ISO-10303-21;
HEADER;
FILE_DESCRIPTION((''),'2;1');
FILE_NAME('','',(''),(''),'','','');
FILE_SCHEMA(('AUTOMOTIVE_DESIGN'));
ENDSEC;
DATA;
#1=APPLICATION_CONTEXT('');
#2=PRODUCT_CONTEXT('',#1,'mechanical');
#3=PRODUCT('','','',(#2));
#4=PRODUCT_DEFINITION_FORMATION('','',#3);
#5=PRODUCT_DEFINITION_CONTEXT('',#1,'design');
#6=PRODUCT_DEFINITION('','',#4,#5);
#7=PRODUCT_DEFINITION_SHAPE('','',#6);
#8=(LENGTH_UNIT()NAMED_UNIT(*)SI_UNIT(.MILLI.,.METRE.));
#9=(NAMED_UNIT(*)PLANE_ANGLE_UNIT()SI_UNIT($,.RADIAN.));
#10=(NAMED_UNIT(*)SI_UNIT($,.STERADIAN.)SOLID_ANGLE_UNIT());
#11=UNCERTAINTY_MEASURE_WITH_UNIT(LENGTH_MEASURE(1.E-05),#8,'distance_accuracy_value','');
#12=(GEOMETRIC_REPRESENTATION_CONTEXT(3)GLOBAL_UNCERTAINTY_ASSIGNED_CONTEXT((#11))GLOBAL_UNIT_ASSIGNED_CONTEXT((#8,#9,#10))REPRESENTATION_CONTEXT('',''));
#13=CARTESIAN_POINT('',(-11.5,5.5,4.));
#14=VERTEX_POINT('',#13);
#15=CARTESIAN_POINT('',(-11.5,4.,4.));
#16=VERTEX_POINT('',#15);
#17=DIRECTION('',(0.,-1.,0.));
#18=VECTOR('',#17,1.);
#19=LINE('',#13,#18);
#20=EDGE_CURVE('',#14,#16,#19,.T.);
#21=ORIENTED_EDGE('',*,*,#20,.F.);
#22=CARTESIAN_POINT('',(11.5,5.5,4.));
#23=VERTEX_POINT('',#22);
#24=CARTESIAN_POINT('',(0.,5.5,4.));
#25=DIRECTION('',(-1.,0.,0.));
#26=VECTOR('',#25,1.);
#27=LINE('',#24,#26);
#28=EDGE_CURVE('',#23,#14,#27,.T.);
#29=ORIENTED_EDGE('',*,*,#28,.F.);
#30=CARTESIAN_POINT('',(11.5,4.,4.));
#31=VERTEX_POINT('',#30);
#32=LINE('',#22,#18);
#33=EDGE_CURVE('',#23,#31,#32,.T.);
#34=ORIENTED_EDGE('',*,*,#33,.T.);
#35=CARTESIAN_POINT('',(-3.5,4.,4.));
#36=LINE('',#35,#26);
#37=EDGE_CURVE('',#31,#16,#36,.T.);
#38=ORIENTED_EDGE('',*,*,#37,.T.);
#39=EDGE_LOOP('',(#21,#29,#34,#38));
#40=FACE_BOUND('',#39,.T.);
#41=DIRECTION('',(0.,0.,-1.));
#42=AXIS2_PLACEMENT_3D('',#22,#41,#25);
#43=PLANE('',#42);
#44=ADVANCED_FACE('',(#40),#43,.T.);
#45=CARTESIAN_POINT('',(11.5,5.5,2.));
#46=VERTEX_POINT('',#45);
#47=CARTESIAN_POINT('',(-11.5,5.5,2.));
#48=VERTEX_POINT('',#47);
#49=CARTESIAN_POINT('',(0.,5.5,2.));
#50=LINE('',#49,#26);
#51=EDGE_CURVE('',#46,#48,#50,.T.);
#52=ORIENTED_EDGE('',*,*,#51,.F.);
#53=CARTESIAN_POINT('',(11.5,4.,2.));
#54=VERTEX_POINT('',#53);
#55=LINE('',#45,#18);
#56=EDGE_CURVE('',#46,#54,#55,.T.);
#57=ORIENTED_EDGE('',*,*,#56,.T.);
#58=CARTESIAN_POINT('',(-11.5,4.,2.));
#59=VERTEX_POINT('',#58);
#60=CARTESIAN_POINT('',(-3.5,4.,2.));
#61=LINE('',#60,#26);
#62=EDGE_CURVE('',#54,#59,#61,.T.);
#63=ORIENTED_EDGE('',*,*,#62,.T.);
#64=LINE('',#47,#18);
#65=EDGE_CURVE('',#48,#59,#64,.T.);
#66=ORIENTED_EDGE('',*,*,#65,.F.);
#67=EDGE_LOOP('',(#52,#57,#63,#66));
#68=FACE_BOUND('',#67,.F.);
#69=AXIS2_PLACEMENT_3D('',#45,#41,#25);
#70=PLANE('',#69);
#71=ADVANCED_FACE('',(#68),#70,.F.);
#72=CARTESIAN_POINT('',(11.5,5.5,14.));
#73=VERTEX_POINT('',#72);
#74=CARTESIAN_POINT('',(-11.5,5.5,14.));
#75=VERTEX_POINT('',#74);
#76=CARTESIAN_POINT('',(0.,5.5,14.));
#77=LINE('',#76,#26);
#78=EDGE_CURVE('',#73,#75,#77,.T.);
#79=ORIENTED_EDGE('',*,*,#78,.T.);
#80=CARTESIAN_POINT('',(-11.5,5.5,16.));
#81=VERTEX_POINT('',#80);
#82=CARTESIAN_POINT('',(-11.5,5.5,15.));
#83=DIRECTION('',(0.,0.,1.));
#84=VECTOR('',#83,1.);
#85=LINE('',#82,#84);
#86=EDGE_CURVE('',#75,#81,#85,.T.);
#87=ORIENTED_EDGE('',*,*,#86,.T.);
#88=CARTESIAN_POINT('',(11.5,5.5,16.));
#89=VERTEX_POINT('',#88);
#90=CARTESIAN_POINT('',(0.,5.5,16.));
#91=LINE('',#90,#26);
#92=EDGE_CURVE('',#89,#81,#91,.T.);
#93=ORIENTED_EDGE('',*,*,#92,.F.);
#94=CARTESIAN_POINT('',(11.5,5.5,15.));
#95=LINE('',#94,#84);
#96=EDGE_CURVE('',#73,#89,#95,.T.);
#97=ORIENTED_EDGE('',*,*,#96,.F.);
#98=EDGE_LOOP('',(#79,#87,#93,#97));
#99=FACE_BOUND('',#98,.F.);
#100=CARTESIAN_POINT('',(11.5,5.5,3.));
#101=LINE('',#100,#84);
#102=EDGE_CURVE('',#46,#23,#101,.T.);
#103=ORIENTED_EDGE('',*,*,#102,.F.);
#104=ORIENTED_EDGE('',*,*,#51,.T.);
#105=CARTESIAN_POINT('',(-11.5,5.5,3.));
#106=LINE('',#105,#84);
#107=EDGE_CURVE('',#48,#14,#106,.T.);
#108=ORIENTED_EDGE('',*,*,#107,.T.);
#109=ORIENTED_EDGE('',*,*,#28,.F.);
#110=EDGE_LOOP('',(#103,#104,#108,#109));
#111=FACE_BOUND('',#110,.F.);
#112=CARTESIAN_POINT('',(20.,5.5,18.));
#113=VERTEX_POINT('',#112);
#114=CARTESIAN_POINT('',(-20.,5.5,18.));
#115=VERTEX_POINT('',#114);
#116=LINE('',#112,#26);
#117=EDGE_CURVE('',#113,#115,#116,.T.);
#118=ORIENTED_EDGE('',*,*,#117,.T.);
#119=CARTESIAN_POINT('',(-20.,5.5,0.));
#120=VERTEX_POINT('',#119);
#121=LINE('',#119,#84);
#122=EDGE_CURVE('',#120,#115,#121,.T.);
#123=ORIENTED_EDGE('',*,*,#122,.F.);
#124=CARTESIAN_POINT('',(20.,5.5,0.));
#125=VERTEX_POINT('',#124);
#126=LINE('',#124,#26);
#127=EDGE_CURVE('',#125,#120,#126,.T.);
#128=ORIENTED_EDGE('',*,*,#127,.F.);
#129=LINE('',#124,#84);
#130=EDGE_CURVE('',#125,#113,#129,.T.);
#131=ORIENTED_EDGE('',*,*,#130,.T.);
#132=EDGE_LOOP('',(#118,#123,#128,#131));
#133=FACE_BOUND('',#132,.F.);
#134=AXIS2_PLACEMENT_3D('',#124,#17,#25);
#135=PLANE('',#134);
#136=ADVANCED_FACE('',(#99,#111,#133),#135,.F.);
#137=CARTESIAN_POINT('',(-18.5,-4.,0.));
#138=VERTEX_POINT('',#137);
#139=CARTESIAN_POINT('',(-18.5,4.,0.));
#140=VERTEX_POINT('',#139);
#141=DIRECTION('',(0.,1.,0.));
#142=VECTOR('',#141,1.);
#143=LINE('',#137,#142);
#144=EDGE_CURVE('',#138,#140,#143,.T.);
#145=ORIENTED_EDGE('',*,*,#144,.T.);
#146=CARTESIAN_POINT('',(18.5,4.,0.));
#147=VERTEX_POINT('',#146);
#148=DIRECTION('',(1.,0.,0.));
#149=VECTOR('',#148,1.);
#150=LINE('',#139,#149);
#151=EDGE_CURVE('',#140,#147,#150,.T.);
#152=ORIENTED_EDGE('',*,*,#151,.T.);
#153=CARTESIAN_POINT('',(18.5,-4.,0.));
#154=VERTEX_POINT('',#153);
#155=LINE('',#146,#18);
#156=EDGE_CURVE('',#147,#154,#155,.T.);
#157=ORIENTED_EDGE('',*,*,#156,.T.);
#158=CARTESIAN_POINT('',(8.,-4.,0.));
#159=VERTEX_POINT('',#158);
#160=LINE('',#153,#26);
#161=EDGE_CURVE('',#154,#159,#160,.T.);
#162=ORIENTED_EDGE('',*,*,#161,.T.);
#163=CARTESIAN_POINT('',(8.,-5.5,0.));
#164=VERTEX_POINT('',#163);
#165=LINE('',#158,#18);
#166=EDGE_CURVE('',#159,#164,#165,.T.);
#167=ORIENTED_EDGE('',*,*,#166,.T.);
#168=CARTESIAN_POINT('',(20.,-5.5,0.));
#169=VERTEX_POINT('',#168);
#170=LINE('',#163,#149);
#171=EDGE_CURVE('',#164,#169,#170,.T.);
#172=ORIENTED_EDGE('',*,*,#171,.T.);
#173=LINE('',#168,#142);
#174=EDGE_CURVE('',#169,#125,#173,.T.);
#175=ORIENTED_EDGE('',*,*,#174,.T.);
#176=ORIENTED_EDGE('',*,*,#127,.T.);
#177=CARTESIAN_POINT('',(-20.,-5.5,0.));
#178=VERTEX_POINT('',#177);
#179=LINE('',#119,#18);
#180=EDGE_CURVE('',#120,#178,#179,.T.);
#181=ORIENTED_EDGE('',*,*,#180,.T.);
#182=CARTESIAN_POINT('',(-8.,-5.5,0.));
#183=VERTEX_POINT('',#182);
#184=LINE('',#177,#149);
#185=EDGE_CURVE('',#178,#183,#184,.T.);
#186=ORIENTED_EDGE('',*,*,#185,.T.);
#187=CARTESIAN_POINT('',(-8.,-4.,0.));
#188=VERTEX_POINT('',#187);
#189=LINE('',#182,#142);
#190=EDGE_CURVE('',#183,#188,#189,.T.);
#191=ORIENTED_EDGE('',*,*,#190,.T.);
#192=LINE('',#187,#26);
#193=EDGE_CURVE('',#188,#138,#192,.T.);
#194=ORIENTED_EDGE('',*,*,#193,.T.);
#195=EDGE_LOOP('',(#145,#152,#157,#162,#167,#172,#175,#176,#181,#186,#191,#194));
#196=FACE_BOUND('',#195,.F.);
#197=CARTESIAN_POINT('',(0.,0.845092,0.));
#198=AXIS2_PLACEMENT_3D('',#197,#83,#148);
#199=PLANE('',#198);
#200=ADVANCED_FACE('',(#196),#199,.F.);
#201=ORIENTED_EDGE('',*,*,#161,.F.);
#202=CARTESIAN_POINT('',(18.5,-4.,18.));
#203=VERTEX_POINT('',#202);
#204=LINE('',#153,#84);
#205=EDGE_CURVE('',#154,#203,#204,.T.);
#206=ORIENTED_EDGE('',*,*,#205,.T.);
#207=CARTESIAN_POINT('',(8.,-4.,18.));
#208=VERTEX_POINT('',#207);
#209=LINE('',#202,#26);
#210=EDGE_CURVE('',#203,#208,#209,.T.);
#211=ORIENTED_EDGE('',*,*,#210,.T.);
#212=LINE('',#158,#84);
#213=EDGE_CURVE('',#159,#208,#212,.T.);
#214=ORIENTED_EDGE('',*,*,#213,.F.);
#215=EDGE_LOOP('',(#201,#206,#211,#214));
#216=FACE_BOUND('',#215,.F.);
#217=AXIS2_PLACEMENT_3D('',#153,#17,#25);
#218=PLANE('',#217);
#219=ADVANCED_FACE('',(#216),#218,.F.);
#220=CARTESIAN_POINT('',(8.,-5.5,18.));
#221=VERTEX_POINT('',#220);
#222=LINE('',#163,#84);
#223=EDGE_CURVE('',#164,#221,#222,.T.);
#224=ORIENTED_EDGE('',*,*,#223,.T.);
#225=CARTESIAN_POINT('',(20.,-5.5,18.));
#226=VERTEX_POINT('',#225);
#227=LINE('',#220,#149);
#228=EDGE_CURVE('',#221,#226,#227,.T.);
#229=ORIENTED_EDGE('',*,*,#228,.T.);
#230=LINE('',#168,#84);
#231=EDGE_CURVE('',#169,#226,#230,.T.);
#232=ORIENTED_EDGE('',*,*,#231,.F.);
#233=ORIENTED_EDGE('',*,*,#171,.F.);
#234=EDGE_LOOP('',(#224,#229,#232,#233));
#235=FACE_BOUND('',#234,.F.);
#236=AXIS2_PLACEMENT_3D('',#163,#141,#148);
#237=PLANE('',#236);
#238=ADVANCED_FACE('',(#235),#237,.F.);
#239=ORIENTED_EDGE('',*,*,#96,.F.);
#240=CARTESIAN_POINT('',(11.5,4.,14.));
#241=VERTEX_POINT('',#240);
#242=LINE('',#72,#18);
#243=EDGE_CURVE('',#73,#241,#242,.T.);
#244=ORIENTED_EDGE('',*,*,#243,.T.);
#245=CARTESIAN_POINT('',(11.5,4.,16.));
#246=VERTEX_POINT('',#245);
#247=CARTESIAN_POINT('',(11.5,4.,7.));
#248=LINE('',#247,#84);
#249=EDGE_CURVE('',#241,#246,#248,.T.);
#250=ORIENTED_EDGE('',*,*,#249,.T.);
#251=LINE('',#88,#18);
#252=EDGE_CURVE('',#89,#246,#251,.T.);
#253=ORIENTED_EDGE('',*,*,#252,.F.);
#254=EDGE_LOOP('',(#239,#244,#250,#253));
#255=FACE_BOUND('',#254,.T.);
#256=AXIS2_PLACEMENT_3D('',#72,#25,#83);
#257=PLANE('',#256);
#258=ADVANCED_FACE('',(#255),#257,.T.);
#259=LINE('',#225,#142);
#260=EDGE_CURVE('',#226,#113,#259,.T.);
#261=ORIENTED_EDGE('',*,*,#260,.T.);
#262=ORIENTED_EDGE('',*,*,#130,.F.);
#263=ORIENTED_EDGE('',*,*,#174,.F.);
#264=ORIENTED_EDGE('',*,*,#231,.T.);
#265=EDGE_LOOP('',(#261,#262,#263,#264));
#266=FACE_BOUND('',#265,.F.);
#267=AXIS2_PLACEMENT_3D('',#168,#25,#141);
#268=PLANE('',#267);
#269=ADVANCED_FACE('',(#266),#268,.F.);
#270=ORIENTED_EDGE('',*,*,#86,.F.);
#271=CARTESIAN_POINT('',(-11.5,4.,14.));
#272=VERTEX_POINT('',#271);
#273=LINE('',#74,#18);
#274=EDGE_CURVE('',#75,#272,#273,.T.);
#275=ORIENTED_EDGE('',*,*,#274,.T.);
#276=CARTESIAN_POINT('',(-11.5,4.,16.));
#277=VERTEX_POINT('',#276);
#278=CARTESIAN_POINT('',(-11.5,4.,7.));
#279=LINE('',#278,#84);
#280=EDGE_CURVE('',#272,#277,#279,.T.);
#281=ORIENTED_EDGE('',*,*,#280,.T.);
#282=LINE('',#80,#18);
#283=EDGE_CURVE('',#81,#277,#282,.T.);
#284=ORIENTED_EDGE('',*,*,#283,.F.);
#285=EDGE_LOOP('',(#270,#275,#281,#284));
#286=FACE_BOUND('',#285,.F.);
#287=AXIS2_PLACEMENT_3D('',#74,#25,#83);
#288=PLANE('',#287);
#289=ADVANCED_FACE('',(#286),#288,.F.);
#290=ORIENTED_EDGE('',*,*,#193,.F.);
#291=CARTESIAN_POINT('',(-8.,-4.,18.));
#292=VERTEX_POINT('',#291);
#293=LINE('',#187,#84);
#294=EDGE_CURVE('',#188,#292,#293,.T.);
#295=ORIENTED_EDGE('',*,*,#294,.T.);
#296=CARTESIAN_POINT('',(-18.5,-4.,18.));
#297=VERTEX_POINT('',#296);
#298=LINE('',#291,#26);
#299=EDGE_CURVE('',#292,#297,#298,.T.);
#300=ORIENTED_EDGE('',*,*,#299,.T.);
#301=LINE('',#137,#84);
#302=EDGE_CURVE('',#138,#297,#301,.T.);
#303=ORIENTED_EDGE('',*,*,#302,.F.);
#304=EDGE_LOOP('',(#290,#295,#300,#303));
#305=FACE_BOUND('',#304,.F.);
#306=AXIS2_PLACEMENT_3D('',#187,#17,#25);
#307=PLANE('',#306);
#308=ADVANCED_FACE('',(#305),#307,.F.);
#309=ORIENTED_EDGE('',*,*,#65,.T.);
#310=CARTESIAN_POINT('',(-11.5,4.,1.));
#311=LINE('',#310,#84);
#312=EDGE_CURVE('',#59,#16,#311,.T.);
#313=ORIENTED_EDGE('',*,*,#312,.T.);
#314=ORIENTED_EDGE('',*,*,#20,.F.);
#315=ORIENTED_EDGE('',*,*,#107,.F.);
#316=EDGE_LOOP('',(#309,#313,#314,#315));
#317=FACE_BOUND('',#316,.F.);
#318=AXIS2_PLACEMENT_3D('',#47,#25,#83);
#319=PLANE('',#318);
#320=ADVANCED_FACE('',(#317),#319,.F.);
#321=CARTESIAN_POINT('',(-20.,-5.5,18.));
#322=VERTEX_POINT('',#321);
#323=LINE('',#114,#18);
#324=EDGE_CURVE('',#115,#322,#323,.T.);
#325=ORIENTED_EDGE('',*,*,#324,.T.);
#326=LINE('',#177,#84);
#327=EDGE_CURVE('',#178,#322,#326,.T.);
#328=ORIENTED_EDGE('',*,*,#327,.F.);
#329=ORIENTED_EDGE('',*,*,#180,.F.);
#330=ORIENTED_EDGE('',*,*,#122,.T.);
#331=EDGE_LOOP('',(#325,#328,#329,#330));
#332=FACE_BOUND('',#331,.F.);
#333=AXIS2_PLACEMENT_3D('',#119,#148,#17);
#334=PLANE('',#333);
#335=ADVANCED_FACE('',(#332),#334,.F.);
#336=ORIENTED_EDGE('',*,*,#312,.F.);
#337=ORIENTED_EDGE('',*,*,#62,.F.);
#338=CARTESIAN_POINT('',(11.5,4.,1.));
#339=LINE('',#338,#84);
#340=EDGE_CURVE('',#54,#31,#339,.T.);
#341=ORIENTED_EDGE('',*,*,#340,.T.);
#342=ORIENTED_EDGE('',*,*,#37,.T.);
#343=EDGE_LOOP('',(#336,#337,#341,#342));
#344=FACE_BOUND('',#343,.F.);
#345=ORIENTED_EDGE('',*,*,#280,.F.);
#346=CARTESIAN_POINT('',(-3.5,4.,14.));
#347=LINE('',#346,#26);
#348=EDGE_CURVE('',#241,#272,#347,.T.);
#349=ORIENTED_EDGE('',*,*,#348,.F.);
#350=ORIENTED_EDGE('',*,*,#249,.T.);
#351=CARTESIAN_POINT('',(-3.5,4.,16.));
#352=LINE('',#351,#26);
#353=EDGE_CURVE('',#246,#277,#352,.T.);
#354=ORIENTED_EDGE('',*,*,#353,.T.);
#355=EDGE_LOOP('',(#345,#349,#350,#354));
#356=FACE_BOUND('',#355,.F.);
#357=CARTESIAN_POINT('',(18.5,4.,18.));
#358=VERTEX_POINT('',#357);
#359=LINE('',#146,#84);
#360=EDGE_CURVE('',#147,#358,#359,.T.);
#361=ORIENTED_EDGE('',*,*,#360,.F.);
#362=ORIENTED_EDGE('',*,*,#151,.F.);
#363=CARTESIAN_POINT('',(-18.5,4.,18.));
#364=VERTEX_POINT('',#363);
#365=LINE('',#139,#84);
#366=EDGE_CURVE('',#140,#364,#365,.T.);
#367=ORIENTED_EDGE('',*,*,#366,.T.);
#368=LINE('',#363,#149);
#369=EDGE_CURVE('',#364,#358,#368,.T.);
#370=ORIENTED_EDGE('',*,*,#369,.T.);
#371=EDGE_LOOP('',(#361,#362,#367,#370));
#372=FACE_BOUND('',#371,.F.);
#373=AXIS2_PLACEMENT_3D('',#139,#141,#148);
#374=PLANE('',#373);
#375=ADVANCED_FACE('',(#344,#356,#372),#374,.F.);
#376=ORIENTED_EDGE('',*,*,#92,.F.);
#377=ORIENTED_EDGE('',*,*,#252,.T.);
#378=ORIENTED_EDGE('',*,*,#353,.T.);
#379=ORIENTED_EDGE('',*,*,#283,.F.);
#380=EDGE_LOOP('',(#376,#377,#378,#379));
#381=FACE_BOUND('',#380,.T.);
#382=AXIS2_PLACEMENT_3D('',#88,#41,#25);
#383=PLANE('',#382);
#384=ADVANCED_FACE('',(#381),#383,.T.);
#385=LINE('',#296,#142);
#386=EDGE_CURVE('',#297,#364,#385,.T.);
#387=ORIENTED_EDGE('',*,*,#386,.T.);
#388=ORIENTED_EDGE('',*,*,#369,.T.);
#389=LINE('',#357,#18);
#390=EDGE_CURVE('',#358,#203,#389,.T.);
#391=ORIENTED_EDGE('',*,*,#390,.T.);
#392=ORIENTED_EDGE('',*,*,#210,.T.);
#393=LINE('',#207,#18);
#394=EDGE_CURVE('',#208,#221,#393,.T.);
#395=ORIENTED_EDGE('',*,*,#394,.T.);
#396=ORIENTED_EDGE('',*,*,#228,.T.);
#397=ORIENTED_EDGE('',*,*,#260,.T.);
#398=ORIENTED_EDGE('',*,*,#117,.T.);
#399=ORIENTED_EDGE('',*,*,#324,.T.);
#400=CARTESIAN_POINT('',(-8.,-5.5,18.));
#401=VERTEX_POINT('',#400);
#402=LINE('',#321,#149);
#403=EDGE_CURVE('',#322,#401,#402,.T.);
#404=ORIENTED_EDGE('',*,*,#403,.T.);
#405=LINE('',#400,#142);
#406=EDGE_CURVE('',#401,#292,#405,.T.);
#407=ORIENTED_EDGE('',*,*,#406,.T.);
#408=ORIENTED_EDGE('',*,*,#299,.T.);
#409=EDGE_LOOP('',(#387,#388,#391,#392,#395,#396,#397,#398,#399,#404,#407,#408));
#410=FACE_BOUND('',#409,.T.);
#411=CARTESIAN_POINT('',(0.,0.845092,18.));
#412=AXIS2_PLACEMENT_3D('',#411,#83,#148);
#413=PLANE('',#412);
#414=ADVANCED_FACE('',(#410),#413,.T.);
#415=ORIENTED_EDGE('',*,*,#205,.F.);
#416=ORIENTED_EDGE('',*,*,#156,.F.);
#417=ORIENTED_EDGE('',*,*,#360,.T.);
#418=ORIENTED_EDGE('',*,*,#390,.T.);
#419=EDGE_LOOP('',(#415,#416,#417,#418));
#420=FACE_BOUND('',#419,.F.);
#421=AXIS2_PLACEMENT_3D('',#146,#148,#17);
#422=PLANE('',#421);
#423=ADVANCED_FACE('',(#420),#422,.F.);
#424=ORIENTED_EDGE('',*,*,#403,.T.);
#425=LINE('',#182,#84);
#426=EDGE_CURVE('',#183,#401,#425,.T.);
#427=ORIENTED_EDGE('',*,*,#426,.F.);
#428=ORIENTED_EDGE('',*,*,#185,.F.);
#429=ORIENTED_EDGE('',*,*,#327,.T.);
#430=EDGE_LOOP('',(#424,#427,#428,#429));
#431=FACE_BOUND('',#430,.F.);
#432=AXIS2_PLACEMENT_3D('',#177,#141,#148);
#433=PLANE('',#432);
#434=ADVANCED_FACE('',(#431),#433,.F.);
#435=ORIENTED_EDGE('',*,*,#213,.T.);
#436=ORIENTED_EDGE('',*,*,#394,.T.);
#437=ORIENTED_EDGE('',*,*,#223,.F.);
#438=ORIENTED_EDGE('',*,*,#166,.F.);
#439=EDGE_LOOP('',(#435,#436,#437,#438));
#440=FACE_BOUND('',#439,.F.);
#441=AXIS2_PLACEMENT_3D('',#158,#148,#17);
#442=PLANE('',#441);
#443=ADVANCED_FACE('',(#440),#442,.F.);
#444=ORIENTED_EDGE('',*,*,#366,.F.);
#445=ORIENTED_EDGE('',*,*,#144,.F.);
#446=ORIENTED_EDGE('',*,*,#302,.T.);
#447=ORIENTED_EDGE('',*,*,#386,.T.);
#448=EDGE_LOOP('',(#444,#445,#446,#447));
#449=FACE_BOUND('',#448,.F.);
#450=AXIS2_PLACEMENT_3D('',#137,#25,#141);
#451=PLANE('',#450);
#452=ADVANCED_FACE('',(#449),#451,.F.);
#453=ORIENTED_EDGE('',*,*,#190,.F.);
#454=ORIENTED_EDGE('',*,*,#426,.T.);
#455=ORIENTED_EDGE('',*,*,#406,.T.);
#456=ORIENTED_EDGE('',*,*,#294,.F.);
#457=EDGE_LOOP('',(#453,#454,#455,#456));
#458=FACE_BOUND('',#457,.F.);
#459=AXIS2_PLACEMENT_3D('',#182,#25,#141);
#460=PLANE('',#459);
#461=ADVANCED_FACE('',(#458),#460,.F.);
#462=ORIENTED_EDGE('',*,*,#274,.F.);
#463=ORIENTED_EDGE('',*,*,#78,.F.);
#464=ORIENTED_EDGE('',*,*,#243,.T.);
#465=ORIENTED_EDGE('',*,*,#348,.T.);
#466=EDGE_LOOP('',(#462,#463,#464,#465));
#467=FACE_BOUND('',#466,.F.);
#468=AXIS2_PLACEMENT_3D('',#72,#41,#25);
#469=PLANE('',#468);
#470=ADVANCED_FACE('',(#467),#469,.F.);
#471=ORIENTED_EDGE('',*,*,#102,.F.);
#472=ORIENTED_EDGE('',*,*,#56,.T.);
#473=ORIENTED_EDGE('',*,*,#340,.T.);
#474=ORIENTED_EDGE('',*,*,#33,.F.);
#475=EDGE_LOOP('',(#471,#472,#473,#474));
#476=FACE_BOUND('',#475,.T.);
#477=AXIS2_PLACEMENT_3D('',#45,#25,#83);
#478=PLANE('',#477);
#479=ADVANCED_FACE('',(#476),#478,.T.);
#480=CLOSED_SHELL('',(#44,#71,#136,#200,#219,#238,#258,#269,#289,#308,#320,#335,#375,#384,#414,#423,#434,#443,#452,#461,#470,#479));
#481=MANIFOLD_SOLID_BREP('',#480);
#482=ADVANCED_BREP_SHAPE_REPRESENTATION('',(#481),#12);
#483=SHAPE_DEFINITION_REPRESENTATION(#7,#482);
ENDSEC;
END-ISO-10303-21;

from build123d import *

# Parameters (mm, degrees)
F1_DEPTH = 18
F2_W     = 23
F2_H     = 2
F3_DEPTH = 2


with BuildPart() as f1:
    # F0 (on Top) → F1 (new body)
    with BuildSketch(Plane.XY):
        Polygon((-18.5, 4), (18.5, 4), (18.5, -4), (8, -4), (8, -5.5), (20, -5.5), (20, 5.5), (-20, 5.5), (-20, -5.5), (-8, -5.5), (-8, -4), (-18.5, -4), align=None)
    extrude(amount=F1_DEPTH)

    # F2 (on face) → F3 (cut)
    with BuildSketch(Plane(origin=(0, 5.5, 0), x_dir=(-1, 0, 0), z_dir=(0, 1, 0))):
        with Locations((0, 15)):
            Rectangle(F2_W, F2_H)
        with Locations((0, 3)):
            Rectangle(F2_W, F2_H)
    extrude(amount=-F3_DEPTH, mode=Mode.SUBTRACT)


solid = f1.part
